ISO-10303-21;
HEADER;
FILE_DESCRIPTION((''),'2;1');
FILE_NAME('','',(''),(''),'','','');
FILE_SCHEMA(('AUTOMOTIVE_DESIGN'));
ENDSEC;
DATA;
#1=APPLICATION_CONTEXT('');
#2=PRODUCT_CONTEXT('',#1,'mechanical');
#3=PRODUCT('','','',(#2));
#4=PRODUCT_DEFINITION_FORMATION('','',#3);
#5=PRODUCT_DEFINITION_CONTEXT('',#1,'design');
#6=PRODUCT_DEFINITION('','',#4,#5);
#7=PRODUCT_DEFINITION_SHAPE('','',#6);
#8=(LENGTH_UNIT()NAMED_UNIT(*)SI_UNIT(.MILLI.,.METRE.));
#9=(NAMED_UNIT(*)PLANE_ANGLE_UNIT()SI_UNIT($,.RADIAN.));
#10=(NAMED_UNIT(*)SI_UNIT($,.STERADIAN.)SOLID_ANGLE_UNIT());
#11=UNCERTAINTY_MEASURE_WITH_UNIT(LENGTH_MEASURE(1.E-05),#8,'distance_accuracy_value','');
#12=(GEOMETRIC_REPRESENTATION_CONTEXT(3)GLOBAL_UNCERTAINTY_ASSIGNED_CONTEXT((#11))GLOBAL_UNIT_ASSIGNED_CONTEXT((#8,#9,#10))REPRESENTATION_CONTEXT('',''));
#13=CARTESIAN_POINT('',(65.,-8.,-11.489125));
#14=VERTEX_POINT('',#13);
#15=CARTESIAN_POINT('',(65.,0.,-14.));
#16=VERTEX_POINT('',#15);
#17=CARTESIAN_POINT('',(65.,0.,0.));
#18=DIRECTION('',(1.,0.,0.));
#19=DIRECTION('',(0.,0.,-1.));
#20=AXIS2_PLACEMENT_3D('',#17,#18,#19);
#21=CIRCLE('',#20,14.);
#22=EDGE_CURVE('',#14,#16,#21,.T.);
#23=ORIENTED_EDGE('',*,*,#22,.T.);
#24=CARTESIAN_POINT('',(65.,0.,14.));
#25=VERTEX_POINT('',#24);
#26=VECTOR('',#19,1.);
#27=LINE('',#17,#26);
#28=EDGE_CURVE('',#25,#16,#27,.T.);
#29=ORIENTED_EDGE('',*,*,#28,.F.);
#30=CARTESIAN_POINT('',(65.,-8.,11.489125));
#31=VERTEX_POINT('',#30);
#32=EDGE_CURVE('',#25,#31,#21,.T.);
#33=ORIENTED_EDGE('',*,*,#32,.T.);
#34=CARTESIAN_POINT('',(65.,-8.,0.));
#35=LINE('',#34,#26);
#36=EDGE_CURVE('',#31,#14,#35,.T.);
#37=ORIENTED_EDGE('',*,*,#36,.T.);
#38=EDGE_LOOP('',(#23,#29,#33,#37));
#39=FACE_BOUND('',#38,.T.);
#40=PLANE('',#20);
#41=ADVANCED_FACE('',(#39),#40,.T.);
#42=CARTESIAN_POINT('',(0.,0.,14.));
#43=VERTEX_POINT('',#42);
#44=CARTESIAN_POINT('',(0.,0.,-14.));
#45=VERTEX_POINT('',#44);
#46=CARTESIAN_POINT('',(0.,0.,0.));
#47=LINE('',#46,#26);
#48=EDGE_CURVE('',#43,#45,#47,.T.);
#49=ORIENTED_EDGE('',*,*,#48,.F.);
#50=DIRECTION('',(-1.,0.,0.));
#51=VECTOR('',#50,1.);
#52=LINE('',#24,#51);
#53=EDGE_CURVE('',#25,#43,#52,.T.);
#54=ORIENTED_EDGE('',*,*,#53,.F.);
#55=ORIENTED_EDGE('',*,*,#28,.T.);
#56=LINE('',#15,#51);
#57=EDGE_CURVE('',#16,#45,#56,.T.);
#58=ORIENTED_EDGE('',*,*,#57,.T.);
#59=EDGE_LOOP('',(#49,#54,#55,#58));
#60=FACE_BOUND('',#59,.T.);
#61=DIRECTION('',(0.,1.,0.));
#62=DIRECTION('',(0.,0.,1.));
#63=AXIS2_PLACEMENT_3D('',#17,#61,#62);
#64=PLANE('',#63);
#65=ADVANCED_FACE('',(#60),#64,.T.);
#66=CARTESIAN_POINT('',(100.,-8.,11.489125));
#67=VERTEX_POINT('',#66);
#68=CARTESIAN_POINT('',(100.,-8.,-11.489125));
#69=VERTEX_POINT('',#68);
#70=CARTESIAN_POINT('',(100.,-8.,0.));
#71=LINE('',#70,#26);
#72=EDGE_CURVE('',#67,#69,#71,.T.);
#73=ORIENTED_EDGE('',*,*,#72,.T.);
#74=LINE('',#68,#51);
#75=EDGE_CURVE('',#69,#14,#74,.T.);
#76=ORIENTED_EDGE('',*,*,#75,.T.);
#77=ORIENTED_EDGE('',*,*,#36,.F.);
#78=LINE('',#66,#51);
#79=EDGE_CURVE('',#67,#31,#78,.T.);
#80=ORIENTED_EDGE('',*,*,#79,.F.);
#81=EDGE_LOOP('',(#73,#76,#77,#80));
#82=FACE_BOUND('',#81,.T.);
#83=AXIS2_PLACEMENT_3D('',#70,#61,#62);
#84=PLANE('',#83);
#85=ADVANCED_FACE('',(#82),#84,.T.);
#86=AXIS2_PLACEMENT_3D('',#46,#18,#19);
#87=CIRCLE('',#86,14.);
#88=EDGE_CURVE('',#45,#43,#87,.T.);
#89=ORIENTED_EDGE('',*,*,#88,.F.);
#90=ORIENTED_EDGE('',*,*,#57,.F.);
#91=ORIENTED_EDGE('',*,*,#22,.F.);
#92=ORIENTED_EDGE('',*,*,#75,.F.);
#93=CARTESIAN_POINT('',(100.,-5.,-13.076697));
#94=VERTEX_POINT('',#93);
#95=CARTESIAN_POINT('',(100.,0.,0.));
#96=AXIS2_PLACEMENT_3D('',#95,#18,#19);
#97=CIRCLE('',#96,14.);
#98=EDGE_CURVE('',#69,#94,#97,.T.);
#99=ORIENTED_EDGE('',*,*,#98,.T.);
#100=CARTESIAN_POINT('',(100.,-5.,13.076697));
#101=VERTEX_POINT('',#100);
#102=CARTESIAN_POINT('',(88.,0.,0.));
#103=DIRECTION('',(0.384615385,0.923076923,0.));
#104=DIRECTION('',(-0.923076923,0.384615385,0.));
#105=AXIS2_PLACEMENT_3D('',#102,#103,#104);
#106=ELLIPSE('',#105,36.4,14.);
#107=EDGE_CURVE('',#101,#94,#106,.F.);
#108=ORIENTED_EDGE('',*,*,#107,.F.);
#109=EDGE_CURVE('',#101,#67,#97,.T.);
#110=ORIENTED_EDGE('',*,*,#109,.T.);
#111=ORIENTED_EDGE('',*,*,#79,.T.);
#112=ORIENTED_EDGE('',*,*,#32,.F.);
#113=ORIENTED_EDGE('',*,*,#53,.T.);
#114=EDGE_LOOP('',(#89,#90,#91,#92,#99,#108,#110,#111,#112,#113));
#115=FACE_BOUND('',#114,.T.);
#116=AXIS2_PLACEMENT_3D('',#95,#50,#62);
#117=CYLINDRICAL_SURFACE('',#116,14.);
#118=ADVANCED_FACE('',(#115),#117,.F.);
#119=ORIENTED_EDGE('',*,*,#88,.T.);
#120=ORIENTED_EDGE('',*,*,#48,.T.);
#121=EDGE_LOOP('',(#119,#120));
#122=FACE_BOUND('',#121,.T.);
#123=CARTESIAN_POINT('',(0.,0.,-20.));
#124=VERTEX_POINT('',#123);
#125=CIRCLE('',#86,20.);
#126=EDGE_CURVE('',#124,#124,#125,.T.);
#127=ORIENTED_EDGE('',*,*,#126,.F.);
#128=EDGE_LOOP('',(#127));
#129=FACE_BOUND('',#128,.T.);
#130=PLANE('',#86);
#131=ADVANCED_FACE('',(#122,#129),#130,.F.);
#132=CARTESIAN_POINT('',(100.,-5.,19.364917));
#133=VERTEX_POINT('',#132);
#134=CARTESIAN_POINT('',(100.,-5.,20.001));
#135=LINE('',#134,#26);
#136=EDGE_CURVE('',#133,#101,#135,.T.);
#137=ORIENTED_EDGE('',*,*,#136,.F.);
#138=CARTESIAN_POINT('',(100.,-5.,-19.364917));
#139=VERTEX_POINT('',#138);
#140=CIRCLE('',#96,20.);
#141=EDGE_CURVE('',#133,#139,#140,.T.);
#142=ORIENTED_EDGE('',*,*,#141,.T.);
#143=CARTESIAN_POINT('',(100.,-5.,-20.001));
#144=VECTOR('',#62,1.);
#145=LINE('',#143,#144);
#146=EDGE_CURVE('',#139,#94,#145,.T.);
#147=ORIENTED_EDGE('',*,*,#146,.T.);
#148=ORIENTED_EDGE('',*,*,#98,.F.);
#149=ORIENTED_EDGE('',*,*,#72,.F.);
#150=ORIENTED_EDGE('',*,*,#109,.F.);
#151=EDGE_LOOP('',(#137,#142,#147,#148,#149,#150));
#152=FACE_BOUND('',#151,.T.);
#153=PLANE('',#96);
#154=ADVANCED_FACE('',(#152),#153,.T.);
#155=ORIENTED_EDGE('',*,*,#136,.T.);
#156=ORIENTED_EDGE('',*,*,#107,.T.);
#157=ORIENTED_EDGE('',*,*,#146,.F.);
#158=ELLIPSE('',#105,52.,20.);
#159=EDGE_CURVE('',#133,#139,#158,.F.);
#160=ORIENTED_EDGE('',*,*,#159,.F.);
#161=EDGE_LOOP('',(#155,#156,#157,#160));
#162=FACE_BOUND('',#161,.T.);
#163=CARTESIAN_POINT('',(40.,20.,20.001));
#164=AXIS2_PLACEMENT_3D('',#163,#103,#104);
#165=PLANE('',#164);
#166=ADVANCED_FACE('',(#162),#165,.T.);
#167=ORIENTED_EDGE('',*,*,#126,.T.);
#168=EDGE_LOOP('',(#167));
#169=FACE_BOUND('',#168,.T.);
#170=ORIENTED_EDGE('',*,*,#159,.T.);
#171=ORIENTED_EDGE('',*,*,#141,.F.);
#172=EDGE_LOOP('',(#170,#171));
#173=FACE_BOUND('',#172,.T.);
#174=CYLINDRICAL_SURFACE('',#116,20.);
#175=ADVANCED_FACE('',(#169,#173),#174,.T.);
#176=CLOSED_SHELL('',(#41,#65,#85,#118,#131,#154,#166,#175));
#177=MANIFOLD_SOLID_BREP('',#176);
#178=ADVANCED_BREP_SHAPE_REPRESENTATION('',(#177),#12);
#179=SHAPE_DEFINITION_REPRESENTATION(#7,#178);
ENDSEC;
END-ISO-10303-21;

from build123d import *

# Parameters (mm, degrees)
BOSS_EXTRUDE1_DEPTH            = 65
SKETCH1_4_R                    = 20
BOSS_EXTRUDE2_DEPTH            = 100
CUT_EXTRUDE1_REACH             = 105.923
CUT_EXTRUDE1_DIRECTION_2_REACH = 105.923


with BuildPart() as part:
    # Sketch1 → Boss-Extrude1 (new body)
    with BuildSketch(Plane(origin=(0, 0, 0), x_dir=(0, 0, -1), z_dir=(1, 0, 0))):
        with BuildLine():
            Line((14, 0), (-14, 0))
            ThreePointArc((-14, 0), (-13.357540082, -4.192388692), (-11.489125293, -8))
            Line((-11.489125293, -8), (11.489125293, -8))
            ThreePointArc((11.489125293, -8), (13.357540082, -4.192388692), (14, 0))
        make_face()
    extrude(amount=BOSS_EXTRUDE1_DEPTH)

    # Sketch1<4> → Boss-Extrude2 (add)
    with BuildSketch(Plane(origin=(0, 0, 0), x_dir=(0, 0, -1), z_dir=(1, 0, 0))):
        Circle(SKETCH1_4_R)
        with BuildLine():
            Line((11.489125293, -8), (-11.489125293, -8))
            ThreePointArc((-11.489125293, -8), (0, 14), (11.489125293, -8))
        make_face(mode=Mode.SUBTRACT)
    extrude(amount=BOSS_EXTRUDE2_DEPTH)

    # Sketch2 → Cut-Extrude1 (cut, up to next)
    with BuildSketch(Plane.XY, mode=Mode.PRIVATE) as cut_extrude1_sk1:
        Polygon((40, 20), (100, -5), (100, 20), align=None)
    cut_extrude1_tool1 = extrude(cut_extrude1_sk1.sketch, amount=-CUT_EXTRUDE1_REACH, mode=Mode.PRIVATE) & part.part
    add(cut_extrude1_tool1.solids().sort_by_distance((80, 11.666667, 0))[0], mode=Mode.SUBTRACT)

    # Sketch2 → Cut-Extrude1 direction 2 (cut, up to next)
    with BuildSketch(Plane.XY, mode=Mode.PRIVATE) as cut_extrude1_direction_2_sk1:
        Polygon((40, 20), (100, -5), (100, 20), align=None)
    cut_extrude1_direction_2_tool1 = extrude(cut_extrude1_direction_2_sk1.sketch, amount=CUT_EXTRUDE1_DIRECTION_2_REACH, mode=Mode.PRIVATE) & part.part
    add(cut_extrude1_direction_2_tool1.solids().sort_by_distance((80, 11.666667, 0))[0], mode=Mode.SUBTRACT)


solid = part.part
